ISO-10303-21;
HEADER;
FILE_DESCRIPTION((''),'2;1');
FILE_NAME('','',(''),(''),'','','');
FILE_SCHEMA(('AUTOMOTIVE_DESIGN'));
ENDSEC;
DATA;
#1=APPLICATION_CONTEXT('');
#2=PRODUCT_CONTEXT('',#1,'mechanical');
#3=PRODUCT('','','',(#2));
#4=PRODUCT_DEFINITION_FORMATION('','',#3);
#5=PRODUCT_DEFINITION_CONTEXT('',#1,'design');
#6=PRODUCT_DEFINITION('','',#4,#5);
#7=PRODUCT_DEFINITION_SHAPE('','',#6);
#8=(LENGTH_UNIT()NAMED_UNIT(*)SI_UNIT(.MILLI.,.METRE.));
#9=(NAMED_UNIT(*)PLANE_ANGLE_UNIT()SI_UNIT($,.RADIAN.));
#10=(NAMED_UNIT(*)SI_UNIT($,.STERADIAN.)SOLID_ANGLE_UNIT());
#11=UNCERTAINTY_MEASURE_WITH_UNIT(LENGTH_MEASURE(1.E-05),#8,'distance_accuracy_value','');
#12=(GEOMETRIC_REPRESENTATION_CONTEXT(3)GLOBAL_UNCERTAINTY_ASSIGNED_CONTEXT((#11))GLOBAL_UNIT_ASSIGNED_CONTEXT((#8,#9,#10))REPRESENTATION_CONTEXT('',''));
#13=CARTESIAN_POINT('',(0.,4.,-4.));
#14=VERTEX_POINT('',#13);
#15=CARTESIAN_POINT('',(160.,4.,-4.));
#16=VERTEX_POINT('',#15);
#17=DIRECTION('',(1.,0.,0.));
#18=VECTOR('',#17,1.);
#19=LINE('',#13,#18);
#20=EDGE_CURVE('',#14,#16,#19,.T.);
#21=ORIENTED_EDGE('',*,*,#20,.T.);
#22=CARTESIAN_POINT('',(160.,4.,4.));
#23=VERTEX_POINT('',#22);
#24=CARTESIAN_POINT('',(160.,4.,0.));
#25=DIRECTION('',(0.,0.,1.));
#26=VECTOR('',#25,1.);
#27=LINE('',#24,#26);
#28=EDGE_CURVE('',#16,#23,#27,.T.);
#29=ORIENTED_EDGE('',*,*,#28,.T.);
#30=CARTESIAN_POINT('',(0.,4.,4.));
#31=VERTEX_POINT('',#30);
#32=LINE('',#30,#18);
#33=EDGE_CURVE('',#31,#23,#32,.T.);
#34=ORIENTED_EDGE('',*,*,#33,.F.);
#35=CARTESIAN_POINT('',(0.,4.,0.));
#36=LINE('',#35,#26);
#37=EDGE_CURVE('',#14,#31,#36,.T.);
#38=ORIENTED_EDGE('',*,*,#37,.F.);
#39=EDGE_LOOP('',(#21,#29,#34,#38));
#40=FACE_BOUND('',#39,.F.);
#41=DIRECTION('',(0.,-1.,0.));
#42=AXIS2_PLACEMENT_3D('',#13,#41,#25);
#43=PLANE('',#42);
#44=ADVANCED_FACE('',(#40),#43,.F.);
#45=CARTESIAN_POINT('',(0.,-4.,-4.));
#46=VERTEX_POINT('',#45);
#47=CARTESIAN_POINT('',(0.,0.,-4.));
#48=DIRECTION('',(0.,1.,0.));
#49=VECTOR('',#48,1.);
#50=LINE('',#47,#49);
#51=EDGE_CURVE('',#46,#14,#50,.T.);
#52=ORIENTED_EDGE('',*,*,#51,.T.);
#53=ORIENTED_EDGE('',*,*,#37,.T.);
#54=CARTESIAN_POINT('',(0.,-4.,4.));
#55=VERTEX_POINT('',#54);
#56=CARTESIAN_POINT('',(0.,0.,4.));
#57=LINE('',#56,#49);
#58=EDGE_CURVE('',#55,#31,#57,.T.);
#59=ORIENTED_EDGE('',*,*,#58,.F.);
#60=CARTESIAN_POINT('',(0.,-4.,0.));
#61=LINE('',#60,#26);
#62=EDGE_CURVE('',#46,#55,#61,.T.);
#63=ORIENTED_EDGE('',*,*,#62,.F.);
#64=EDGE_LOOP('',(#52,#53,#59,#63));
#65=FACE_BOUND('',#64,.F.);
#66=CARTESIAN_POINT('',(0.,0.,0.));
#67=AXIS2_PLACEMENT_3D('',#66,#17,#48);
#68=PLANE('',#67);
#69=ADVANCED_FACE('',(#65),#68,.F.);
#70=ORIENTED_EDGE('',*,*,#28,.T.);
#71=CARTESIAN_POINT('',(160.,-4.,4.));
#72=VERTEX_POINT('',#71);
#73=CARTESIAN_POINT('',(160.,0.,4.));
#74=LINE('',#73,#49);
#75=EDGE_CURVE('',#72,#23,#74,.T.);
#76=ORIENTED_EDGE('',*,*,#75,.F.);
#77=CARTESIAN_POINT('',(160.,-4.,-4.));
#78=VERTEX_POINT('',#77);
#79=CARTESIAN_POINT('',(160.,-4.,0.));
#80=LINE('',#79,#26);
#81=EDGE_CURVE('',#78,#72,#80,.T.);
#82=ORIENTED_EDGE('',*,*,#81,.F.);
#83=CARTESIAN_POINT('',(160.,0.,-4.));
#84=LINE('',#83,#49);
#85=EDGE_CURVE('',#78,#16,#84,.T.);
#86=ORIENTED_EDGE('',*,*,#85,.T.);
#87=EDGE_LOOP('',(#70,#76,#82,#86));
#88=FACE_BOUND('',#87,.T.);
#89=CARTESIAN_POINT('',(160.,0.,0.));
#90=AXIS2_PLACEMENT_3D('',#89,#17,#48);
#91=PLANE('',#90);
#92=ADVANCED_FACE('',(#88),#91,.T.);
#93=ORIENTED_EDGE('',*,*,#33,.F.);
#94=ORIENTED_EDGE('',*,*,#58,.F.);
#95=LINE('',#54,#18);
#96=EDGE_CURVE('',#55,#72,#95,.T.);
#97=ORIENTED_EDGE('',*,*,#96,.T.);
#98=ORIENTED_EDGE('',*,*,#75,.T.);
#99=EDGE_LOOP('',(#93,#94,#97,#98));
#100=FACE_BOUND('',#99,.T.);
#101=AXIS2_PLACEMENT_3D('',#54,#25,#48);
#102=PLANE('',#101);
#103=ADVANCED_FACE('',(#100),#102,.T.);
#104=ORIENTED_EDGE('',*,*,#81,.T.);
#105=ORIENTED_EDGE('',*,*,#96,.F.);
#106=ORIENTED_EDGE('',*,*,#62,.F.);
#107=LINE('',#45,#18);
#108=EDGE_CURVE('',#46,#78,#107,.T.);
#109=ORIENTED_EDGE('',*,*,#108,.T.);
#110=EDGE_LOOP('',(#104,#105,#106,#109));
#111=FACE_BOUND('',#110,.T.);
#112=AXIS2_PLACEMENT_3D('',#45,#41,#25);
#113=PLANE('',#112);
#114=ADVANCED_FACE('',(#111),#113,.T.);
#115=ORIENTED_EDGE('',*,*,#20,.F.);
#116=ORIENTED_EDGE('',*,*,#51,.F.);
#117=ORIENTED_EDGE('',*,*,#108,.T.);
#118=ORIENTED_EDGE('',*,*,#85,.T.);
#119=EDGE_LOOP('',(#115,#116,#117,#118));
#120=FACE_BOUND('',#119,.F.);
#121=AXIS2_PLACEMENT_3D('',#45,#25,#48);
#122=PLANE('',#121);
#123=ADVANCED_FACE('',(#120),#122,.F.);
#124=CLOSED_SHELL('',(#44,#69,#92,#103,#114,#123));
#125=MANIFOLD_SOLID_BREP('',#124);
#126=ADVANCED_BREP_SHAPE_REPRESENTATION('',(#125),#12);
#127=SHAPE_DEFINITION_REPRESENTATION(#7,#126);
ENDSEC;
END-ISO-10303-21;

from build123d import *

# Parameters (mm, degrees)
SKETCH_W  = 8
SKETCH_H  = 8
PAD_DEPTH = 160


with BuildPart() as part:
    # Sketch → Pad (new body)
    with BuildSketch(Plane.YZ):
        Rectangle(SKETCH_W, SKETCH_H)
    extrude(amount=PAD_DEPTH)


solid = part.part
